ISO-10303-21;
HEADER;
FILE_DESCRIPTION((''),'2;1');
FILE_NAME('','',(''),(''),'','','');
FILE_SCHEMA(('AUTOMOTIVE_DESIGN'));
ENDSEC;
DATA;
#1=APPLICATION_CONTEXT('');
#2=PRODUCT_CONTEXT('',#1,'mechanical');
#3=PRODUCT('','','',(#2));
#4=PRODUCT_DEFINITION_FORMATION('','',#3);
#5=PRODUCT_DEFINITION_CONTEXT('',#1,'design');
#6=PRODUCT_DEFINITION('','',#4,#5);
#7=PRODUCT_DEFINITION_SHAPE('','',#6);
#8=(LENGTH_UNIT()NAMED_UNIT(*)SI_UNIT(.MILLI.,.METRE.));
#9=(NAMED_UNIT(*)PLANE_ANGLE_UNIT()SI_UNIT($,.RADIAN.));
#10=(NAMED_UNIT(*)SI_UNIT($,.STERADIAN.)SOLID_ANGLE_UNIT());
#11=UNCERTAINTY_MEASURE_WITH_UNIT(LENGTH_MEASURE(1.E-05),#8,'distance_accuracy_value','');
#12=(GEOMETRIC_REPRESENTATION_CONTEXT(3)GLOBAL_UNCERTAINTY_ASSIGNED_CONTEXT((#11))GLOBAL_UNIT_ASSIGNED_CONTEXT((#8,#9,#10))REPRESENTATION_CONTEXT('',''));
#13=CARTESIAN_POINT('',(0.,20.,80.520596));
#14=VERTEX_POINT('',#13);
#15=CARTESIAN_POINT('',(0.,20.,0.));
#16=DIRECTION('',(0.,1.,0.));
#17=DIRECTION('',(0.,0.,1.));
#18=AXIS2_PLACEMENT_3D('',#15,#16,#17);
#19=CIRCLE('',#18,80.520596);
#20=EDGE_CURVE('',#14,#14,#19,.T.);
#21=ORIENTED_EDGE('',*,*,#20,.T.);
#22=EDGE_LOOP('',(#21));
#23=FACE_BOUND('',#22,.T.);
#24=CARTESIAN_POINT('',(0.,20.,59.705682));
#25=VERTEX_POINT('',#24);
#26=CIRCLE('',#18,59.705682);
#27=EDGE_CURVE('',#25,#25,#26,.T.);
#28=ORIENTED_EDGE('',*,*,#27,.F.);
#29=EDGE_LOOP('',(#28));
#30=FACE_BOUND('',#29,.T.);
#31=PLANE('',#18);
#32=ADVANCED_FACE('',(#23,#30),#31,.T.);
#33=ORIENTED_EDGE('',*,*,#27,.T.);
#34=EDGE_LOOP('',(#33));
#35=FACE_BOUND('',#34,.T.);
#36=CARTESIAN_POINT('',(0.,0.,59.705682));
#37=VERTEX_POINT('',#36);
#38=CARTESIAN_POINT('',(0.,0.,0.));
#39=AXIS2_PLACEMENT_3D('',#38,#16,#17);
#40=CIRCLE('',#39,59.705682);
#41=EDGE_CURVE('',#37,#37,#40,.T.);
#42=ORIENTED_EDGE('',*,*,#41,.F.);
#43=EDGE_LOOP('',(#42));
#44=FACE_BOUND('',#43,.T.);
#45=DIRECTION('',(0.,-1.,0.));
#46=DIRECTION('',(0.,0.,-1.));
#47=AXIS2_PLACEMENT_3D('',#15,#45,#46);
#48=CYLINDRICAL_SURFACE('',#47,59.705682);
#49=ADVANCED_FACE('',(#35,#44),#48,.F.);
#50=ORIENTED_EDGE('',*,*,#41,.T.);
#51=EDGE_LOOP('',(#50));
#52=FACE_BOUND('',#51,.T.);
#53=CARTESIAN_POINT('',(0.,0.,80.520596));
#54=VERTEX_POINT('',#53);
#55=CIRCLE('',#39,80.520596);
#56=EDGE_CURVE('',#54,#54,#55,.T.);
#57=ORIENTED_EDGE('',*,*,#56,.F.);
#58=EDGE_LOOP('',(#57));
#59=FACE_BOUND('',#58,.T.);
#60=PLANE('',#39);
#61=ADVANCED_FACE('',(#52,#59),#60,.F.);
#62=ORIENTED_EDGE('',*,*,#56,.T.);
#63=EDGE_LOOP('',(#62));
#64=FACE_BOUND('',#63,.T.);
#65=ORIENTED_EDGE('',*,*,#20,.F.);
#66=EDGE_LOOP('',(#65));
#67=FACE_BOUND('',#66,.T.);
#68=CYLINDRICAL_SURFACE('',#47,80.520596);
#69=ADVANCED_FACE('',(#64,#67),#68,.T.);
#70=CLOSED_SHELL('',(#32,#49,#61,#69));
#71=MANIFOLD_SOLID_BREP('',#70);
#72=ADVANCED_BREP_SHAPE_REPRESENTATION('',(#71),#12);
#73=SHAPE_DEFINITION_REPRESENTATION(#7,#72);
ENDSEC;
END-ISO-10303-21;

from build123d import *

# Parameters (mm, degrees)
SKETCH1_R   = 80.520596245
SKETCH1_R_2 = 59.705681816
BODY_DEPTH  = 20


with BuildPart() as part:
    # Sketch1 → body (new body)
    with BuildSketch(Plane(origin=(0, 0, 0), x_dir=(1, 0, 0), z_dir=(0, 1, 0))):
        with Locations(Location((0, 0, 0), (0, 0, 270))):
            Circle(SKETCH1_R)
        with Locations(Location((0, 0, 0), (0, 0, 270))):
            Circle(SKETCH1_R_2, mode=Mode.SUBTRACT)
    extrude(amount=BODY_DEPTH)


solid = part.part
